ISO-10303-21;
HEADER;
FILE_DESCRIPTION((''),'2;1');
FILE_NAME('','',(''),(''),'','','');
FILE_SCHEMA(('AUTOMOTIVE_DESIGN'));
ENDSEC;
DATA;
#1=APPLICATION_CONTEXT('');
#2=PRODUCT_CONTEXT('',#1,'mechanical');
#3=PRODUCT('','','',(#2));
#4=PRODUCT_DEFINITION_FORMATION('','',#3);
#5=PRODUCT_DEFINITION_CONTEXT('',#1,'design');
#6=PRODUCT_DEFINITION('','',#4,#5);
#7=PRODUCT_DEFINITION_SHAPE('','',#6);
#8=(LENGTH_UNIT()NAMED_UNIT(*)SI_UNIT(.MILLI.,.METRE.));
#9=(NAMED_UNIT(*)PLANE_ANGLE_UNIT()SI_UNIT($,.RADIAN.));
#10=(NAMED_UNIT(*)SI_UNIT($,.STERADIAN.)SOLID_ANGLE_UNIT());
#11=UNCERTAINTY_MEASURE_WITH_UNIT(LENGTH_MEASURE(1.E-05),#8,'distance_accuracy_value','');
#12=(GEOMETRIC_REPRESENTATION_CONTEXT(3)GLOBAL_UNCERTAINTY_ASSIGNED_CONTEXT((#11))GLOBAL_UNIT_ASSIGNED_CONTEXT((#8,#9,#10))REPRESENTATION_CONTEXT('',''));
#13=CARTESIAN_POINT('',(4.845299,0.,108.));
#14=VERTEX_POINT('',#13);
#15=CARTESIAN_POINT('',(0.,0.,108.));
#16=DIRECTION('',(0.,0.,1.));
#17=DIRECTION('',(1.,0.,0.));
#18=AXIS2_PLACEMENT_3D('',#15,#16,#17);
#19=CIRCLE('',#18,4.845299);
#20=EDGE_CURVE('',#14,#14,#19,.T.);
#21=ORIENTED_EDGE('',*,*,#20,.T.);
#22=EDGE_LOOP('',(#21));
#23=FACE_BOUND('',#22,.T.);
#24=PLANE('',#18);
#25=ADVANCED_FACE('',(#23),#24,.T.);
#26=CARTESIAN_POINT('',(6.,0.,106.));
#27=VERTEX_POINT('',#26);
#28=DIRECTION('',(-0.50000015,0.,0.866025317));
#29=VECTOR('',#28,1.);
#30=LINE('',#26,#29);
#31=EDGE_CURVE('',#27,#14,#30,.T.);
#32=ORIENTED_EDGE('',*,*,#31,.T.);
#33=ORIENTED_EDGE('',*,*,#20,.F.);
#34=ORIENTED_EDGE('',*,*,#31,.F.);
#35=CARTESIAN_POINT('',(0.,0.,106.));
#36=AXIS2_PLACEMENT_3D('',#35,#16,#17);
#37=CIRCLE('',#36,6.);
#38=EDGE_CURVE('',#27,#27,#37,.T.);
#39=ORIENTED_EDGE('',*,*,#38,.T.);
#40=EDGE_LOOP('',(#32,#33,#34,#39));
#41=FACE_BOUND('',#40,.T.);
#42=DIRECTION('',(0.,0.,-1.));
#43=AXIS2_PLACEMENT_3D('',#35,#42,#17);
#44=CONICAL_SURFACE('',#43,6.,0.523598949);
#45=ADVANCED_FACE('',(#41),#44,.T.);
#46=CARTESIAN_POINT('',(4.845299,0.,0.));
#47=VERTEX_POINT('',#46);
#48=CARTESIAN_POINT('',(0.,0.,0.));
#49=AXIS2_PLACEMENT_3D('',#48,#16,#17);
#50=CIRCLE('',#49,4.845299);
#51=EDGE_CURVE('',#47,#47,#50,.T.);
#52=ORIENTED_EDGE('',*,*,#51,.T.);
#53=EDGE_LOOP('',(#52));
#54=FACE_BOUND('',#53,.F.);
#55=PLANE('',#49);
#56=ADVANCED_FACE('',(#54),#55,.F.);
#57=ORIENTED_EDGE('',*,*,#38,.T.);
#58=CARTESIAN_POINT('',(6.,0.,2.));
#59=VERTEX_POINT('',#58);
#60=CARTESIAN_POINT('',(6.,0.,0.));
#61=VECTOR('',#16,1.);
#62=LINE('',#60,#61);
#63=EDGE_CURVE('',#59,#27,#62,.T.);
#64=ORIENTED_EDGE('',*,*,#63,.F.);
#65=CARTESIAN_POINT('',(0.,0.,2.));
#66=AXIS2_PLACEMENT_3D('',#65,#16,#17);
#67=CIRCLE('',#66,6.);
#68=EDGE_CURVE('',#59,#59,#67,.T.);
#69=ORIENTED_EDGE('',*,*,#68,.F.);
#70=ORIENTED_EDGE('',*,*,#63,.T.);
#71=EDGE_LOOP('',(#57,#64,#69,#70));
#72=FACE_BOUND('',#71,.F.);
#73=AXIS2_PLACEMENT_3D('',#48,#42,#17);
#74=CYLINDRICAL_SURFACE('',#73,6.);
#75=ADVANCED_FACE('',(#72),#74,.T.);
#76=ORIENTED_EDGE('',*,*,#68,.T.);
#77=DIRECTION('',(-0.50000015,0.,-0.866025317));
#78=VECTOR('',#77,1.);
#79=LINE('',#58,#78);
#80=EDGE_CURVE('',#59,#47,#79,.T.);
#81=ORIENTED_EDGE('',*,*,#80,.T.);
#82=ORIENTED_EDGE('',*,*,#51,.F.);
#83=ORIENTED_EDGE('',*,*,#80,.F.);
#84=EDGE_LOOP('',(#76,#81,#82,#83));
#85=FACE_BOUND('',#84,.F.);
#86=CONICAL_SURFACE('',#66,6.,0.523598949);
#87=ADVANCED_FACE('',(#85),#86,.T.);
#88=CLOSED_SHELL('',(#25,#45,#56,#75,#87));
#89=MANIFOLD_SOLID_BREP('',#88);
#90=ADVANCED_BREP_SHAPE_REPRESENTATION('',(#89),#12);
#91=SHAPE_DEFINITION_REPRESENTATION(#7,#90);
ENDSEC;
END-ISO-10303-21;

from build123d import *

# Parameters (mm, degrees)
F0_R     = 6
F1_DEPTH = 108
F2_SIZE2 = 1.154701
F2_SIZE  = 2


with BuildPart() as f1:
    # F0 (on Top) → F1 (new body)
    with BuildSketch(Plane.XY):
        Circle(F0_R)
    extrude(amount=F1_DEPTH)

    # F2
    f2_edges = [f1.edges().sort_by_distance(p)[0] for p in [
        (6, 0, 54),
        (-6, 0, 0),
        (-6, 0, 108),
    ]]
    chamfer(f2_edges, length=F2_SIZE, length2=F2_SIZE2)


solid = f1.part
